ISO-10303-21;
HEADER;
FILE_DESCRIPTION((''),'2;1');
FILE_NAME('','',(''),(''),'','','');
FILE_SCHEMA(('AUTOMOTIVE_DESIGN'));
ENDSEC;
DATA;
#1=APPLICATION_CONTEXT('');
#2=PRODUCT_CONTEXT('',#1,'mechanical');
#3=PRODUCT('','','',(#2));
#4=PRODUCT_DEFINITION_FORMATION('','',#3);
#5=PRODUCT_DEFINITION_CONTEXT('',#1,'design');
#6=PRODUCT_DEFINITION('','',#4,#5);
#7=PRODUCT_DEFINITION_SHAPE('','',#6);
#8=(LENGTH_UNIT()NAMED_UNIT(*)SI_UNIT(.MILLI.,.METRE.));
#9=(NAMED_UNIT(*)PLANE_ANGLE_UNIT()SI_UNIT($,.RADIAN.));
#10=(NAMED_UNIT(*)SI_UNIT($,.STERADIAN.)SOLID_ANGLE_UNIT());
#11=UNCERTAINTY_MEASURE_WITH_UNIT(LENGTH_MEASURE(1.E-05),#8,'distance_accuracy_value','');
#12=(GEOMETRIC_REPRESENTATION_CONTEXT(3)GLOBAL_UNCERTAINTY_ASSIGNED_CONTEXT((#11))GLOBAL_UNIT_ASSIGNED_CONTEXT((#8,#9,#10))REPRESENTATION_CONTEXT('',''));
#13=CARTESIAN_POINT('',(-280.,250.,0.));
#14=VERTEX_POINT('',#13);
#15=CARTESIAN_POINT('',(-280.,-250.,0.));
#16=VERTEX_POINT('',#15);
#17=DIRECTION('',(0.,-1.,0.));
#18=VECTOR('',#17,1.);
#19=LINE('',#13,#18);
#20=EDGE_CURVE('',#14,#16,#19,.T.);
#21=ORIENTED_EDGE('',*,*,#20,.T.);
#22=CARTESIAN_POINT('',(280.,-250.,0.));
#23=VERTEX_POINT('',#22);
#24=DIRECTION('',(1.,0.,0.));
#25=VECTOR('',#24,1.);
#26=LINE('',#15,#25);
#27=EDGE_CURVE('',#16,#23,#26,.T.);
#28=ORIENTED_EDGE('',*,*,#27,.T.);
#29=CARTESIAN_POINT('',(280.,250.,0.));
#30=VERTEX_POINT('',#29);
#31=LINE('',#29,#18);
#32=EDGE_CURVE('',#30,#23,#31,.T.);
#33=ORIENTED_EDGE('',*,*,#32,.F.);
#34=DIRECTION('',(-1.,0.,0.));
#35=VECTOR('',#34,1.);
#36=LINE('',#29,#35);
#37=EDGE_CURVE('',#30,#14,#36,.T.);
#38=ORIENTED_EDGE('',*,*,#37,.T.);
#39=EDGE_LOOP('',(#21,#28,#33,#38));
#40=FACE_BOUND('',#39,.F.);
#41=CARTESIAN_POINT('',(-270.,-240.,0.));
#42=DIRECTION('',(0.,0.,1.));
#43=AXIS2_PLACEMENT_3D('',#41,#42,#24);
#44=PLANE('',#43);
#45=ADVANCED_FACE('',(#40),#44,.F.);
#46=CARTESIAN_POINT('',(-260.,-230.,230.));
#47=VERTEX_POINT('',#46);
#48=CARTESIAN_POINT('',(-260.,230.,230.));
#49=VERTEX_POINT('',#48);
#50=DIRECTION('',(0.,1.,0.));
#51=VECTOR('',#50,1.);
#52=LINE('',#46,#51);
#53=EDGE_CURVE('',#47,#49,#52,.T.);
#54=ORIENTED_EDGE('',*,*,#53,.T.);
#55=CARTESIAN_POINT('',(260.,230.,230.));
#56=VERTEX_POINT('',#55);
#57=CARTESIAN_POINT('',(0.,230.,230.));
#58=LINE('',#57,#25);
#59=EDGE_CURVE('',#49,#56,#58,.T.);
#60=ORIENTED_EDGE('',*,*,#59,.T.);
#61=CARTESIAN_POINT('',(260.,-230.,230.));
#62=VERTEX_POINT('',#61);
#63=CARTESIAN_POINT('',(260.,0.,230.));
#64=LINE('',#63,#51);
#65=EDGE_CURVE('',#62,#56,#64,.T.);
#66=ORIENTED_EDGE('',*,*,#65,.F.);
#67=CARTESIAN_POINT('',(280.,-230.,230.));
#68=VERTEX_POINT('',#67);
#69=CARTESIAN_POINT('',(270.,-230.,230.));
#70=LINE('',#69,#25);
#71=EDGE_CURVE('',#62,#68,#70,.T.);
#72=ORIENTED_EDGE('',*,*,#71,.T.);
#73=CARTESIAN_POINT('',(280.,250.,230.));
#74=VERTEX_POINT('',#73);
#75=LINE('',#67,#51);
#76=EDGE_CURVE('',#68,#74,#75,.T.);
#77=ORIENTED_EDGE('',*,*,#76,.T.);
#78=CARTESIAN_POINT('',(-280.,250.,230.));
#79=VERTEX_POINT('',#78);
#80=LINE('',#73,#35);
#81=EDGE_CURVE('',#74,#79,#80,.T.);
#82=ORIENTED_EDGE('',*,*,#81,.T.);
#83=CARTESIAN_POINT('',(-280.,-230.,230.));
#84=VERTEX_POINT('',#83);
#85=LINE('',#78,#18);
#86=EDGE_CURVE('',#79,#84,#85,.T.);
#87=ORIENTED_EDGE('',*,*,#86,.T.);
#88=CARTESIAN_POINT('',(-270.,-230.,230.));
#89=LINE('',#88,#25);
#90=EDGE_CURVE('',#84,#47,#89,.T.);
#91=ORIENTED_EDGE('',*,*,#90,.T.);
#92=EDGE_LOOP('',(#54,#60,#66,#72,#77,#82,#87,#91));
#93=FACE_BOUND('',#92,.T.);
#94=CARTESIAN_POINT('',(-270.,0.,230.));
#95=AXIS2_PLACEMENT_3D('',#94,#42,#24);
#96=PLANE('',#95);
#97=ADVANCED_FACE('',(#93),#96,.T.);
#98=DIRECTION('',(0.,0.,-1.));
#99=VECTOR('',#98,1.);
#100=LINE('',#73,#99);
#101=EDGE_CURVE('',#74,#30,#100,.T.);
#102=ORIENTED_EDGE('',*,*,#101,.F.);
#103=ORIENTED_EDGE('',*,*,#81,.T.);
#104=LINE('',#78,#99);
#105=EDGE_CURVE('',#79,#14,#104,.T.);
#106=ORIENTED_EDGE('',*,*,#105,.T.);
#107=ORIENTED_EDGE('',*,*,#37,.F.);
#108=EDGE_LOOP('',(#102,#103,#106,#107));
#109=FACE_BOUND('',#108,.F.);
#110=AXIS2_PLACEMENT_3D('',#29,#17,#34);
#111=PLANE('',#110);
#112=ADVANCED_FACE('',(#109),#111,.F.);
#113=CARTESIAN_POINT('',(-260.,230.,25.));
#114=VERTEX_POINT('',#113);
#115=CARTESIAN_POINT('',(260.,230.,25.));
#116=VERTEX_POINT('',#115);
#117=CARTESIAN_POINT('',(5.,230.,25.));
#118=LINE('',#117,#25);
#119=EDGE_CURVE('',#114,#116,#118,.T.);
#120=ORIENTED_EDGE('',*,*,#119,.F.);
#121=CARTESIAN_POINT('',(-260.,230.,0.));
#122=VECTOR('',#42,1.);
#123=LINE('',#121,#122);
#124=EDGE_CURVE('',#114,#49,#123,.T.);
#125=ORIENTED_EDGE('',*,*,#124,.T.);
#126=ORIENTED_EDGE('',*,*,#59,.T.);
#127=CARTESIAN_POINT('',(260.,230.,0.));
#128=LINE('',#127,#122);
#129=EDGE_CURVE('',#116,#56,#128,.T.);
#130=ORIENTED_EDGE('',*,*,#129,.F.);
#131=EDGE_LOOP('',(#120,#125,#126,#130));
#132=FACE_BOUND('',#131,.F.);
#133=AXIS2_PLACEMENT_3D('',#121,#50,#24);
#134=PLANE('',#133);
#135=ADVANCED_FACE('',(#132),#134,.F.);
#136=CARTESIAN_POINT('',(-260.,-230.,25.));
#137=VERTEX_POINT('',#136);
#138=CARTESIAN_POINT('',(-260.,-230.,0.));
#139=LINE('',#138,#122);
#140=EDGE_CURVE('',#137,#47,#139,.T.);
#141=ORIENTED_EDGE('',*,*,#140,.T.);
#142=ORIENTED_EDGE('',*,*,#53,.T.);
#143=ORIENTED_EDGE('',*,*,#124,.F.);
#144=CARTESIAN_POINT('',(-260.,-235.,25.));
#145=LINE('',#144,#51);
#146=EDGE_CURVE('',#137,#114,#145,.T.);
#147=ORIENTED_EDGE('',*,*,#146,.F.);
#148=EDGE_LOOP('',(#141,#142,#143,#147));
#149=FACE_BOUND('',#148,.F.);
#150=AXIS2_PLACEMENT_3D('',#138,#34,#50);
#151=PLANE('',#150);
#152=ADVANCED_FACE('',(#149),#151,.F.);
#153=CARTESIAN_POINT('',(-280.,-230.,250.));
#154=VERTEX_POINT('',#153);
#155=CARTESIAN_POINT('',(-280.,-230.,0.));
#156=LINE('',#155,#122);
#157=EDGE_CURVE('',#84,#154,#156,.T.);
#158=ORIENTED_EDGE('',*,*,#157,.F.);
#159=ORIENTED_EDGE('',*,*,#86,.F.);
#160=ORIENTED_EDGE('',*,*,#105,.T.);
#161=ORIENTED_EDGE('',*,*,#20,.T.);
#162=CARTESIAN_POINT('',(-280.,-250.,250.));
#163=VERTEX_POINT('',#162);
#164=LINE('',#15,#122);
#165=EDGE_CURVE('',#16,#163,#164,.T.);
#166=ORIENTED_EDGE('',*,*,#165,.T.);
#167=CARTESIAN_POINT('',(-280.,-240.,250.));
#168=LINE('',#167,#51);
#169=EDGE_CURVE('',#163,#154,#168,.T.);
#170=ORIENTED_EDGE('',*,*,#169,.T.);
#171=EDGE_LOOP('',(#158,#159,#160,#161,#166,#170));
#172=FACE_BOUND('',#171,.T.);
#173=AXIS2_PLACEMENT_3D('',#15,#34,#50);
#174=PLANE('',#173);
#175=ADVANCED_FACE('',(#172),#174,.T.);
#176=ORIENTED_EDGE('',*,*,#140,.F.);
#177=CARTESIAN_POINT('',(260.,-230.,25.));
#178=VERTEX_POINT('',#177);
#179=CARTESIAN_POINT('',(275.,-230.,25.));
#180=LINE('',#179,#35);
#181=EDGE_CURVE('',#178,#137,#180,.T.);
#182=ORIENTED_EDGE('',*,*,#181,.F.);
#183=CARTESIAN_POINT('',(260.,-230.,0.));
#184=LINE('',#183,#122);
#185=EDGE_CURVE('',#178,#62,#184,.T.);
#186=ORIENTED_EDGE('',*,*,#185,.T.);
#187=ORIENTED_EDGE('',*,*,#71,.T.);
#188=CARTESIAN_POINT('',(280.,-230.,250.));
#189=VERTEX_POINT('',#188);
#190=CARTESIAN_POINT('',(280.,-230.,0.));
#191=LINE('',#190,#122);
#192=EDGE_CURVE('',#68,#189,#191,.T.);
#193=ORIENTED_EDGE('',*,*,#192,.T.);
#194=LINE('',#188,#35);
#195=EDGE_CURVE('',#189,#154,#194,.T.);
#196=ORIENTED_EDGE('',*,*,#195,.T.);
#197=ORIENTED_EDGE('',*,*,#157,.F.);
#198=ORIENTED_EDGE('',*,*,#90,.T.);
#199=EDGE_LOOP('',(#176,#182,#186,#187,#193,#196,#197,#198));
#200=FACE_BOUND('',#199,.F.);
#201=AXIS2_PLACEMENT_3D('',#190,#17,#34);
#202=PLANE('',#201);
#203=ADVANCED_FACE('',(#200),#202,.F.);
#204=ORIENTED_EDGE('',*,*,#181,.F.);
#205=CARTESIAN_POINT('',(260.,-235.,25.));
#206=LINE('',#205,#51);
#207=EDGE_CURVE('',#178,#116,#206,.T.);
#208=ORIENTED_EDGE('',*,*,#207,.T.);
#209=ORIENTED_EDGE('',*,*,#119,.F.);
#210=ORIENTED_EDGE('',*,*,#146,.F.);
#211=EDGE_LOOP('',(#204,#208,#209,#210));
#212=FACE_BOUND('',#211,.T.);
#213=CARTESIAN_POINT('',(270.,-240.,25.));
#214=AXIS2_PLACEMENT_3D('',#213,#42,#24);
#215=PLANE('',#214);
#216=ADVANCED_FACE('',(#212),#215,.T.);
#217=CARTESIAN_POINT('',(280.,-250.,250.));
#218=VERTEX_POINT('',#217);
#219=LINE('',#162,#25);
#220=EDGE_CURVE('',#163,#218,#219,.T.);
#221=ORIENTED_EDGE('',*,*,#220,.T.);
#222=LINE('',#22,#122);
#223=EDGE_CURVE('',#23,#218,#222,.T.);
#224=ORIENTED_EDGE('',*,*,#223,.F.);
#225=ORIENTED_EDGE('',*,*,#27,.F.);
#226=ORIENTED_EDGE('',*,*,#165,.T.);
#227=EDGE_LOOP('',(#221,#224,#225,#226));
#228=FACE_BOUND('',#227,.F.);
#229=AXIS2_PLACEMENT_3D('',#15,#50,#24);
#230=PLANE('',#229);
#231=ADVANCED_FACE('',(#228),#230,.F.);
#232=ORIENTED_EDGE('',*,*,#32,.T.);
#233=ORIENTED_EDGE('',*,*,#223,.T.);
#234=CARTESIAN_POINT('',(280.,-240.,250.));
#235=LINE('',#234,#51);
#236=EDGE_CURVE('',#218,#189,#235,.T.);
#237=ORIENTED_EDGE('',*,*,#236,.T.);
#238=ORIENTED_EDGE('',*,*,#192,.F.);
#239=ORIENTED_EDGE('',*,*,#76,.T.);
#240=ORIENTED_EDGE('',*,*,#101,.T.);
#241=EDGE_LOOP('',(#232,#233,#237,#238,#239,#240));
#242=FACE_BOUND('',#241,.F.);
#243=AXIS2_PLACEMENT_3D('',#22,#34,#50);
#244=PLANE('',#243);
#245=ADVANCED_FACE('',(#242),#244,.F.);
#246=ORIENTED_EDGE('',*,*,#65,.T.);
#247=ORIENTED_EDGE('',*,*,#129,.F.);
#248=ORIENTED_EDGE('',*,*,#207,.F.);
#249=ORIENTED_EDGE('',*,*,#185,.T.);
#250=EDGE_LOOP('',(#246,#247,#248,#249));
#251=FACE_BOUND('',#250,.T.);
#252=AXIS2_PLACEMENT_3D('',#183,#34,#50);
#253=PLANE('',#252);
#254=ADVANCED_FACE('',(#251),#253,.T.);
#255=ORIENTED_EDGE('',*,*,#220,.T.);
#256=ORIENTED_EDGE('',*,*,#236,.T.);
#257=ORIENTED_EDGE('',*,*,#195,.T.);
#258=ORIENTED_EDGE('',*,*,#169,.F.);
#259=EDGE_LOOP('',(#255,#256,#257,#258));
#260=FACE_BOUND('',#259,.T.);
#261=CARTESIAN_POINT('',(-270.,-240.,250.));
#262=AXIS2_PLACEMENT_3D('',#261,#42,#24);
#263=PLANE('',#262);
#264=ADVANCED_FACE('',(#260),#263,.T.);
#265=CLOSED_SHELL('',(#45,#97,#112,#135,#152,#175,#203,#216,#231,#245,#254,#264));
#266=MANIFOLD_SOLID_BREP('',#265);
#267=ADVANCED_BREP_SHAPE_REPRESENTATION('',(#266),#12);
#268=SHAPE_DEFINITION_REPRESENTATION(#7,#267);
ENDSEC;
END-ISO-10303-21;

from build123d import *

# Parameters (mm, degrees)
F0_W     = 20
F0_H     = 460
F0_H_2   = 20
F0_W_2   = 520
F1_DEPTH = 230
F2_DEPTH = 250
F3_DEPTH = 25


with BuildPart() as f1:
    # F0 (on Top) → F1 (new body)
    with BuildSketch(Plane.XY):
        with Locations((-270, 0)):
            Rectangle(F0_W, F0_H)
        with Locations((-270, 240)):
            Rectangle(F0_W, F0_H_2)
        with Locations((0, 240)):
            Rectangle(F0_W_2, F0_H_2)
        with Locations((270, 0)):
            Rectangle(F0_W, F0_H)
        with Locations((270, 240)):
            Rectangle(F0_W, F0_H_2)
    extrude(amount=F1_DEPTH)

    # F0 (on Top) → F2 (join)
    with BuildSketch(Plane.XY):
        with Locations((-270, -240)):
            Rectangle(F0_W, F0_H_2)
        with Locations((0, -240)):
            Rectangle(F0_W_2, F0_H_2)
        with Locations((270, -240)):
            Rectangle(F0_W, F0_H_2)
    extrude(amount=F2_DEPTH)

    # F0 (on Top) → F3 (join)
    with BuildSketch(Plane.XY):
        with Locations((270, -240)):
            Rectangle(F0_W, F0_H_2)
        with Locations((0, -240)):
            Rectangle(F0_W_2, F0_H_2)
        with Locations((270, 0)):
            Rectangle(F0_W, F0_H)
        with Locations((-270, -240)):
            Rectangle(F0_W, F0_H_2)
        with Locations((270, 240)):
            Rectangle(F0_W, F0_H_2)
        with Locations((-270, 0)):
            Rectangle(F0_W, F0_H)
        with Locations((0, 240)):
            Rectangle(F0_W_2, F0_H_2)
        with Locations((-270, 240)):
            Rectangle(F0_W, F0_H_2)
        Rectangle(F0_W_2, F0_H)
    extrude(amount=F3_DEPTH)


solid = f1.part
